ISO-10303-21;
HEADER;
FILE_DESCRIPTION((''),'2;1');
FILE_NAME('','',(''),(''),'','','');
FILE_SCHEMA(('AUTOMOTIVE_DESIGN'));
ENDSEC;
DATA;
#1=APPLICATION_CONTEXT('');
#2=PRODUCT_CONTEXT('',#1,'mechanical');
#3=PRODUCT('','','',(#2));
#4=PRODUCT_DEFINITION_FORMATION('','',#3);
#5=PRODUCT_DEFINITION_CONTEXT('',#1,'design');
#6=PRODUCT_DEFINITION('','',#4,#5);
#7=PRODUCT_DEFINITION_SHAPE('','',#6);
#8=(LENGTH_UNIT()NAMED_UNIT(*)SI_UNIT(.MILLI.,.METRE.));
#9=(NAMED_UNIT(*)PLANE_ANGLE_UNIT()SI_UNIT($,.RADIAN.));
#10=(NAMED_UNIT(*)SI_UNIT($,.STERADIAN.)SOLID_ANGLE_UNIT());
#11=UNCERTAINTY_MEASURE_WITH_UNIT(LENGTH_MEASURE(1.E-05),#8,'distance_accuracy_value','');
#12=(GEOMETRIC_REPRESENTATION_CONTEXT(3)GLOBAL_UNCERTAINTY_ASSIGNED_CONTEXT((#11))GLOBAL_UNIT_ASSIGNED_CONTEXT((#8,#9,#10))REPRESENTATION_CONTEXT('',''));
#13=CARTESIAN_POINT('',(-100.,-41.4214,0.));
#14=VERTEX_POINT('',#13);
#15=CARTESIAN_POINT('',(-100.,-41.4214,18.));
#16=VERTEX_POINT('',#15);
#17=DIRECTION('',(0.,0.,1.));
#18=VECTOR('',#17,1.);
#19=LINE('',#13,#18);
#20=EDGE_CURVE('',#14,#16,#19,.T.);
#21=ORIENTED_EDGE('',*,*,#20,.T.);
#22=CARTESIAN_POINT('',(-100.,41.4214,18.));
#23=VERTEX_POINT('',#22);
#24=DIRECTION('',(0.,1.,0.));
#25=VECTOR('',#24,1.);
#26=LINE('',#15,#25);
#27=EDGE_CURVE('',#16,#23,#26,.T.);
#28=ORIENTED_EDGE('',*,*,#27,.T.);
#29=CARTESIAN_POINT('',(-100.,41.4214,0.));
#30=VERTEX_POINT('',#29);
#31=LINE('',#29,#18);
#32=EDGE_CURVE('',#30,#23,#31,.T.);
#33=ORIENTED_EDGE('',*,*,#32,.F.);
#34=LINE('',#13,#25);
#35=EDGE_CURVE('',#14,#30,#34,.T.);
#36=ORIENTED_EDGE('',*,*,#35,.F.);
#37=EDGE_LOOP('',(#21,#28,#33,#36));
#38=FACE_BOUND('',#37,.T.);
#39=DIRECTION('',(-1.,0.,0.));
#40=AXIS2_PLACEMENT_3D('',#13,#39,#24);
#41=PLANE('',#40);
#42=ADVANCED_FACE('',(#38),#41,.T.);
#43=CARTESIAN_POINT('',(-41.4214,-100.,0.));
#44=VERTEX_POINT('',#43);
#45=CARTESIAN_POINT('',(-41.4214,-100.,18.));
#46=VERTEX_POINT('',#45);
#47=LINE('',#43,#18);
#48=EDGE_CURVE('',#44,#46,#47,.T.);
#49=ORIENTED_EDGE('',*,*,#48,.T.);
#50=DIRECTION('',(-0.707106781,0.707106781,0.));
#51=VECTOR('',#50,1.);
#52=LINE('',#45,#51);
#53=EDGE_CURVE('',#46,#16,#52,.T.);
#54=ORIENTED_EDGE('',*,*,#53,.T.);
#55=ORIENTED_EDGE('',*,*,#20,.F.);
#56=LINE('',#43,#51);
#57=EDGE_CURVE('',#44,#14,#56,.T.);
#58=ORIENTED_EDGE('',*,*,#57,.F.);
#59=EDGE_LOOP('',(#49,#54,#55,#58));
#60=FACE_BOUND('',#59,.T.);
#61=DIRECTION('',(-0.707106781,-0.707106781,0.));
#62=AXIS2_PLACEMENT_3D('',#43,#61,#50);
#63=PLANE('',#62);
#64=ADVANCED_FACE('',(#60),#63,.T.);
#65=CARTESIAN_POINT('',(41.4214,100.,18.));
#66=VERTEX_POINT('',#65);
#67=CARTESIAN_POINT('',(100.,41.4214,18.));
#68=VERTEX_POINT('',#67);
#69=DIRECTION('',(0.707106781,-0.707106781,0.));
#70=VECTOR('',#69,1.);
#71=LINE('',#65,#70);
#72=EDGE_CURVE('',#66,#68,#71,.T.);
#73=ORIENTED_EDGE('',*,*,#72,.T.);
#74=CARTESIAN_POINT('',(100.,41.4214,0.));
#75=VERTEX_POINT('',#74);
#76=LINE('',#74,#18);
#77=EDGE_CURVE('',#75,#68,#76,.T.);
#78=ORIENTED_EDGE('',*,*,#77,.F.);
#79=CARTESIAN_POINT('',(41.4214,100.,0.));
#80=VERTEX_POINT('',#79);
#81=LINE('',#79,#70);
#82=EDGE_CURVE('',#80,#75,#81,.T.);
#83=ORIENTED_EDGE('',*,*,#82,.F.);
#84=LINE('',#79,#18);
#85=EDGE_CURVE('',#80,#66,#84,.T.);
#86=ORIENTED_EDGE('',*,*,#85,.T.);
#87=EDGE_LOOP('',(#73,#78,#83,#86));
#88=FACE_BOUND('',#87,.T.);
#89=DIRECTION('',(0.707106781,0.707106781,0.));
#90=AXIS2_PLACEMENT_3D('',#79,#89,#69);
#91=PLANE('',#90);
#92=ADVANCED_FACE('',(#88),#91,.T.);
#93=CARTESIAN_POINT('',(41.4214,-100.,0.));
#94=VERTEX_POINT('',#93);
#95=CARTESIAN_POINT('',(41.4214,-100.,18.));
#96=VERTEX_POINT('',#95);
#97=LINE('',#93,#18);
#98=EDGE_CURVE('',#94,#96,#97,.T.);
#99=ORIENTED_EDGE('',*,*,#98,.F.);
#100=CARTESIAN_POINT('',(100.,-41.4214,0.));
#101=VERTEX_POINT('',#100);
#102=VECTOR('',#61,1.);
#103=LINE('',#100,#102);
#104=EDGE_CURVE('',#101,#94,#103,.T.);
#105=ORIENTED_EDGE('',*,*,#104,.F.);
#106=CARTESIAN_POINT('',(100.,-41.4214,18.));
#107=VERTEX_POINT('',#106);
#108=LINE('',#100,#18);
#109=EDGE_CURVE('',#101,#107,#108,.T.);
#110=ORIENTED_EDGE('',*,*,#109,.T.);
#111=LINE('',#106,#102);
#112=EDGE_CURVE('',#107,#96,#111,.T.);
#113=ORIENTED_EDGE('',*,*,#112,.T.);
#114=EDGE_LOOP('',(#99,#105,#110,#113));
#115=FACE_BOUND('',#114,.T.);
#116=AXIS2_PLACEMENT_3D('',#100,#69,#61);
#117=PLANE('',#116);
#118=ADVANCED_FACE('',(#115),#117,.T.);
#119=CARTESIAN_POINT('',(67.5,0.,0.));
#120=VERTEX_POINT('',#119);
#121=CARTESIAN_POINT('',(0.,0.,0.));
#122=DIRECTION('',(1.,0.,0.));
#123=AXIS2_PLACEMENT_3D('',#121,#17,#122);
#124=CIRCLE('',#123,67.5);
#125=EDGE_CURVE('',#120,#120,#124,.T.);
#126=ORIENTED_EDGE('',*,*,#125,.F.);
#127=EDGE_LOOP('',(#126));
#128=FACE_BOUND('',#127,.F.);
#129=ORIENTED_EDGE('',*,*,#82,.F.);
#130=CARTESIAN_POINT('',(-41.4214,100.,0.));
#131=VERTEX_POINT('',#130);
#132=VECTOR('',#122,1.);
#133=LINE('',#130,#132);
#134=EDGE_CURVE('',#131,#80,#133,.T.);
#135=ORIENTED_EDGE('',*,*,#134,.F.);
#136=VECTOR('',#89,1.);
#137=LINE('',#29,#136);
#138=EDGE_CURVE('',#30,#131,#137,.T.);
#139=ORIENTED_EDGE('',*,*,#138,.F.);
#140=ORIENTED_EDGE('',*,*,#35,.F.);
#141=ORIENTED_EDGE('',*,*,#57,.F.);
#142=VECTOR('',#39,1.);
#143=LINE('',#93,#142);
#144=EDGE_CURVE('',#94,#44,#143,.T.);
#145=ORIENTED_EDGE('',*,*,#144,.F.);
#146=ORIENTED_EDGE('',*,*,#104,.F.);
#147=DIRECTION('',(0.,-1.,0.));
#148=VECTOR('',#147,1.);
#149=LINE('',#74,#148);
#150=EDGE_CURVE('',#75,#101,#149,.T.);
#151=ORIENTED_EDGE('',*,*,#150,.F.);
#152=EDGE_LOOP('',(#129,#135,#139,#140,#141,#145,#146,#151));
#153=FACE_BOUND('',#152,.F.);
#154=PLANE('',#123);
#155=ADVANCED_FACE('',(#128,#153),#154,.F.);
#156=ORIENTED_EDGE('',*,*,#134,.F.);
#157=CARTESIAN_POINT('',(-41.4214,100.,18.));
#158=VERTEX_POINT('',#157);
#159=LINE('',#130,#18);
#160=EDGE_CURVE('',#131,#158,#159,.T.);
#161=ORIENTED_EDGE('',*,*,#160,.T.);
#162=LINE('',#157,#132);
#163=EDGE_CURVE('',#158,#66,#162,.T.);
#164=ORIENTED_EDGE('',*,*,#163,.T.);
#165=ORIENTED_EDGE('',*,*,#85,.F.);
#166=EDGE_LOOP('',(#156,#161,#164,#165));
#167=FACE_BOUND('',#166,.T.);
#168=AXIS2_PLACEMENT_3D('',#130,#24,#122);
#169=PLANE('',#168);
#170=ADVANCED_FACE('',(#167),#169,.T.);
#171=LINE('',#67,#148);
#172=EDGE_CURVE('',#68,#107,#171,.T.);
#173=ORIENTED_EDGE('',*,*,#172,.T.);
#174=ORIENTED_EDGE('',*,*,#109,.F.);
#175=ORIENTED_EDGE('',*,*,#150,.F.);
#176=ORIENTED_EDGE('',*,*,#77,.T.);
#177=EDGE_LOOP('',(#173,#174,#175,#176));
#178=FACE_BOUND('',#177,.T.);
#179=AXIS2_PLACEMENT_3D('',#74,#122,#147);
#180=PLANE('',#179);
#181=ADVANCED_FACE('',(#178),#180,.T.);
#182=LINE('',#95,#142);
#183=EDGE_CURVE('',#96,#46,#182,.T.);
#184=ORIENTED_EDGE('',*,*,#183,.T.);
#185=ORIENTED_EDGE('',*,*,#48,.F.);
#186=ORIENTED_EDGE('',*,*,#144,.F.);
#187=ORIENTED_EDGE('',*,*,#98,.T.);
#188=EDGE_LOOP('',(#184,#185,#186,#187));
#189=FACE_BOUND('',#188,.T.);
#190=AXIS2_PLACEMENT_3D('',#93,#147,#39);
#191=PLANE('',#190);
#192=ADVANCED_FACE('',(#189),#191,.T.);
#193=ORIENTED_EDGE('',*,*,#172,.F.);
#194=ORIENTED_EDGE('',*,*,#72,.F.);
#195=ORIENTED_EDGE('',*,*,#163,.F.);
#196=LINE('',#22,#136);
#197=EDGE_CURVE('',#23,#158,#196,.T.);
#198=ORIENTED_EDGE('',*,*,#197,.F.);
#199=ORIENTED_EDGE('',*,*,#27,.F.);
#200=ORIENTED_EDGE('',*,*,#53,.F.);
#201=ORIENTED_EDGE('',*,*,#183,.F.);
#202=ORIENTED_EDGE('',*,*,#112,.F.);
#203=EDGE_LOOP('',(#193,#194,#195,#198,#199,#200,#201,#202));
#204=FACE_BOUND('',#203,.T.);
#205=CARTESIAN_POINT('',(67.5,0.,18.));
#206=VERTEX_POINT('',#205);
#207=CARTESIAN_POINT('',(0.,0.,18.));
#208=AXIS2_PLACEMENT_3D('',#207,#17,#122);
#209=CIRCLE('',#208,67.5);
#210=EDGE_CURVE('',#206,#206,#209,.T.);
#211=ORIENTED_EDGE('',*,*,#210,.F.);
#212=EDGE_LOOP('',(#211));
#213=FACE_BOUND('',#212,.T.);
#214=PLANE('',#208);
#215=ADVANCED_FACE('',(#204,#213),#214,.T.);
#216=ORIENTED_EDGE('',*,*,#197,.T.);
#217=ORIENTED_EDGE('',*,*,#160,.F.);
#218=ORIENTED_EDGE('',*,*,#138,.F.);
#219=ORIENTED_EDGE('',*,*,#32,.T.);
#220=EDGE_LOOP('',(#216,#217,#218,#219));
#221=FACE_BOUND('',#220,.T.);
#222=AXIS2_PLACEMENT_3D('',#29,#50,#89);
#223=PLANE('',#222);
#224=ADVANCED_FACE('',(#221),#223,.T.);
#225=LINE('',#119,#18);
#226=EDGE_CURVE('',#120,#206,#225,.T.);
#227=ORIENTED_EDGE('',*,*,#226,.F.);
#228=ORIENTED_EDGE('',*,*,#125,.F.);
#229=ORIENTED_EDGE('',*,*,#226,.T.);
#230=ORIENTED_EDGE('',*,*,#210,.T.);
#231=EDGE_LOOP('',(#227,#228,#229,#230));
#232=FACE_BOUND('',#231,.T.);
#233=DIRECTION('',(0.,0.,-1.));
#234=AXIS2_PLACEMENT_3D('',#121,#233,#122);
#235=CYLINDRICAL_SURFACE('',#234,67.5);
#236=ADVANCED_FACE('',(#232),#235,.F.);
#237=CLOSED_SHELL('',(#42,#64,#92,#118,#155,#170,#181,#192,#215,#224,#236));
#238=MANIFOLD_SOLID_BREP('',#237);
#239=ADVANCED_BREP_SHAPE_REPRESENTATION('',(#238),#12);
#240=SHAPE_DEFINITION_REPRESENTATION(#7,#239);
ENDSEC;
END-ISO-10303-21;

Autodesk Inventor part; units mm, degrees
ref_plane "YZ Plane" through (0, 0, 0) normal (1, 0, 0) x (0, 1, 0)
ref_plane "XZ Plane" through (0, 0, 0) normal (0, 1, 0) x (-1, 0, 0)
ref_plane "XY Plane" through (0, 0, 0) normal (0, 0, 1) x (1, 0, 0)
sketch "Skizze2" plane through (0, 0, 0) normal (0, 0, 1) x (1, 0, 0)
  circle A0 centre (0, 0) radius 67.5
  line L0 (-41.4214, 100) -> (41.4214, 100)
  line L1 (41.4214, 100) -> (100, 41.4214)
  line L2 (100, 41.4214) -> (100, -41.4214)
  line L3 (100, -41.4214) -> (41.4214, -100)
  line L4 (41.4214, -100) -> (-41.4214, -100)
  line L5 (-41.4214, -100) -> (-100, -41.4214)
  line L6 (-100, -41.4214) -> (-100, 41.4214)
  line L7 (-100, 41.4214) -> (-41.4214, 100)
  dimension "d7" = 135
  dimension "d11" = 200
extrude "Extrusion2" add sketch "Skizze2" along normal blind 18
equation "\"kg_thickness\" = 4.9"
equation "\"ht_thickness\" = 1.9"
equation "\"case_thickness\" = 18"
equation "\"inner_thickness\" = 15"
equation "\"gap_fit\" = 0.1"
equation "\"gap_slide\" = 0.2"
equation "\"gap_air\" = 1"
equation "\"bore_diameter\" = 73"
equation "\"mdf_thickness\" = 6"
equation "\"tape_width\" = 15"
equation "\"tape_thickness\" = 3"
equation "\"inner_depth\" = 255"
properties part number "Korpus_Motor_18mm"
